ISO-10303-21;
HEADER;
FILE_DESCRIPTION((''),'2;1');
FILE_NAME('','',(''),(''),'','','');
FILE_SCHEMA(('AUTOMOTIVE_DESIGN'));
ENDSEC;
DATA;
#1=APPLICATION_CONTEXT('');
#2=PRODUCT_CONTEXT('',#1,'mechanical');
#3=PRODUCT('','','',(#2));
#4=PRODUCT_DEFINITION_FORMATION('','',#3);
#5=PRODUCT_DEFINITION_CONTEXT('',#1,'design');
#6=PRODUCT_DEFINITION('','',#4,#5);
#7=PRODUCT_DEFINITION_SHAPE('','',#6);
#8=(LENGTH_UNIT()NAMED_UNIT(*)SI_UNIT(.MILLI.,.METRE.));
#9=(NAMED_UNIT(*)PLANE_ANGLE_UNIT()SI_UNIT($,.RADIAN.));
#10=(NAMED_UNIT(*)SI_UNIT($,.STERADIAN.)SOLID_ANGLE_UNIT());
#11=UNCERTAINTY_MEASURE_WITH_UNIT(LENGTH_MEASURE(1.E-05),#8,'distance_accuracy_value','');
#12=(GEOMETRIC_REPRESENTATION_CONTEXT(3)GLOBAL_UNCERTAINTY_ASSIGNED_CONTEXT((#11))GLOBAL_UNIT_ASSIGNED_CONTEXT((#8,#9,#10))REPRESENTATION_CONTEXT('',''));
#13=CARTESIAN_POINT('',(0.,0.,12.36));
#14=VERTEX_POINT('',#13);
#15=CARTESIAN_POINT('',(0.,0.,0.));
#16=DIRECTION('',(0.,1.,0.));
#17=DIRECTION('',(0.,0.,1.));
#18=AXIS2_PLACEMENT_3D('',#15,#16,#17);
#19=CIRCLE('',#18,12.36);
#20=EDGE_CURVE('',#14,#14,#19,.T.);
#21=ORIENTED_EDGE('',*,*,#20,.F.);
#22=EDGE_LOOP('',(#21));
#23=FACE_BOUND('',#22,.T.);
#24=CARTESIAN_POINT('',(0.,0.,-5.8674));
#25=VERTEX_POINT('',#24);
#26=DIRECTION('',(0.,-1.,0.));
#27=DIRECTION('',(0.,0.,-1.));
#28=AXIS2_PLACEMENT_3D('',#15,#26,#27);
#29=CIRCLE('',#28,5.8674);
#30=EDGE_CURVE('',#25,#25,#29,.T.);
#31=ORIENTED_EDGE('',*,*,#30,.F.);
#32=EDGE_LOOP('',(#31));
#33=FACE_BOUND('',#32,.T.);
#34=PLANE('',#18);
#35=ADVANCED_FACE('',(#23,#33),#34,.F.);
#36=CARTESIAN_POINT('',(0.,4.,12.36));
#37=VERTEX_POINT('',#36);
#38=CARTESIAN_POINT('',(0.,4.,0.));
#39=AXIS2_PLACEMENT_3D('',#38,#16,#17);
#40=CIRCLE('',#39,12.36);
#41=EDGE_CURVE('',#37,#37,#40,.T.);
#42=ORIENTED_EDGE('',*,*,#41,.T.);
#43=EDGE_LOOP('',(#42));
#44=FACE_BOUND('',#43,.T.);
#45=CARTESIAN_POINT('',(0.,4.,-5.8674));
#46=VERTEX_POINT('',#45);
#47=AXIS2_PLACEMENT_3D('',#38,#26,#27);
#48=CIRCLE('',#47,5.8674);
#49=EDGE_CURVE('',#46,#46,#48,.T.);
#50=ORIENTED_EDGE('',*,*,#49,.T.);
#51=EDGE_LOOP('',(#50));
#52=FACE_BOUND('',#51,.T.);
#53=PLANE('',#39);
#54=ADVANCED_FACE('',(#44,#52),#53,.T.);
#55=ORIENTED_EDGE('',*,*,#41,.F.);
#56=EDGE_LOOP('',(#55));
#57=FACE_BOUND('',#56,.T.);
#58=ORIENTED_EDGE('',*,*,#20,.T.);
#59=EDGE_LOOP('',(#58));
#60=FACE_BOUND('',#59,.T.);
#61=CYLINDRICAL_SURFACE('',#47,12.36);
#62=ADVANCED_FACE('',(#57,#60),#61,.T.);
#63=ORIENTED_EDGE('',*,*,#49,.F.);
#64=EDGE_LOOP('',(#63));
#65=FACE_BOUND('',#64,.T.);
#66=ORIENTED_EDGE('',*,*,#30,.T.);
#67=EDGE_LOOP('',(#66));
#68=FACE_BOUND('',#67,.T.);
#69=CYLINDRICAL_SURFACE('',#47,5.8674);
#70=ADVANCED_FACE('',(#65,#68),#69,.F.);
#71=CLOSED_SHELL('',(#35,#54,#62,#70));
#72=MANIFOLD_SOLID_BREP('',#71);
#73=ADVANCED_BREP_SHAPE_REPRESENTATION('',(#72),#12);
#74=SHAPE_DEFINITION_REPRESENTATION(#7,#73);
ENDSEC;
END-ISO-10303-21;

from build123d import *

# Parameters (mm, degrees)
SKETCH1_R           = 12.36
BOSS_EXTRUDE1_DEPTH = 4
SKETCH2_R           = 5.8674
CUT_EXTRUDE1_DEPTH  = 18.931514158


with BuildPart() as part:
    # Sketch1 → Boss-Extrude1 (new body)
    with BuildSketch(Plane(origin=(0, 0, 0), x_dir=(1, 0, 0), z_dir=(0, 1, 0))):
        with Locations(Location((0, 0, 0), (0, 0, 270))):
            Circle(SKETCH1_R)
    extrude(amount=BOSS_EXTRUDE1_DEPTH)

    # Sketch2 → Cut-Extrude1 (cut, through all)
    with BuildSketch(Plane(origin=(0, 0, 0), x_dir=(-1, 0, 0), z_dir=(0, -1, 0))):
        with Locations(Location((0, 0, 0), (0, 0, 90))):
            Circle(SKETCH2_R)
    extrude(amount=-CUT_EXTRUDE1_DEPTH, mode=Mode.SUBTRACT)


solid = part.part
